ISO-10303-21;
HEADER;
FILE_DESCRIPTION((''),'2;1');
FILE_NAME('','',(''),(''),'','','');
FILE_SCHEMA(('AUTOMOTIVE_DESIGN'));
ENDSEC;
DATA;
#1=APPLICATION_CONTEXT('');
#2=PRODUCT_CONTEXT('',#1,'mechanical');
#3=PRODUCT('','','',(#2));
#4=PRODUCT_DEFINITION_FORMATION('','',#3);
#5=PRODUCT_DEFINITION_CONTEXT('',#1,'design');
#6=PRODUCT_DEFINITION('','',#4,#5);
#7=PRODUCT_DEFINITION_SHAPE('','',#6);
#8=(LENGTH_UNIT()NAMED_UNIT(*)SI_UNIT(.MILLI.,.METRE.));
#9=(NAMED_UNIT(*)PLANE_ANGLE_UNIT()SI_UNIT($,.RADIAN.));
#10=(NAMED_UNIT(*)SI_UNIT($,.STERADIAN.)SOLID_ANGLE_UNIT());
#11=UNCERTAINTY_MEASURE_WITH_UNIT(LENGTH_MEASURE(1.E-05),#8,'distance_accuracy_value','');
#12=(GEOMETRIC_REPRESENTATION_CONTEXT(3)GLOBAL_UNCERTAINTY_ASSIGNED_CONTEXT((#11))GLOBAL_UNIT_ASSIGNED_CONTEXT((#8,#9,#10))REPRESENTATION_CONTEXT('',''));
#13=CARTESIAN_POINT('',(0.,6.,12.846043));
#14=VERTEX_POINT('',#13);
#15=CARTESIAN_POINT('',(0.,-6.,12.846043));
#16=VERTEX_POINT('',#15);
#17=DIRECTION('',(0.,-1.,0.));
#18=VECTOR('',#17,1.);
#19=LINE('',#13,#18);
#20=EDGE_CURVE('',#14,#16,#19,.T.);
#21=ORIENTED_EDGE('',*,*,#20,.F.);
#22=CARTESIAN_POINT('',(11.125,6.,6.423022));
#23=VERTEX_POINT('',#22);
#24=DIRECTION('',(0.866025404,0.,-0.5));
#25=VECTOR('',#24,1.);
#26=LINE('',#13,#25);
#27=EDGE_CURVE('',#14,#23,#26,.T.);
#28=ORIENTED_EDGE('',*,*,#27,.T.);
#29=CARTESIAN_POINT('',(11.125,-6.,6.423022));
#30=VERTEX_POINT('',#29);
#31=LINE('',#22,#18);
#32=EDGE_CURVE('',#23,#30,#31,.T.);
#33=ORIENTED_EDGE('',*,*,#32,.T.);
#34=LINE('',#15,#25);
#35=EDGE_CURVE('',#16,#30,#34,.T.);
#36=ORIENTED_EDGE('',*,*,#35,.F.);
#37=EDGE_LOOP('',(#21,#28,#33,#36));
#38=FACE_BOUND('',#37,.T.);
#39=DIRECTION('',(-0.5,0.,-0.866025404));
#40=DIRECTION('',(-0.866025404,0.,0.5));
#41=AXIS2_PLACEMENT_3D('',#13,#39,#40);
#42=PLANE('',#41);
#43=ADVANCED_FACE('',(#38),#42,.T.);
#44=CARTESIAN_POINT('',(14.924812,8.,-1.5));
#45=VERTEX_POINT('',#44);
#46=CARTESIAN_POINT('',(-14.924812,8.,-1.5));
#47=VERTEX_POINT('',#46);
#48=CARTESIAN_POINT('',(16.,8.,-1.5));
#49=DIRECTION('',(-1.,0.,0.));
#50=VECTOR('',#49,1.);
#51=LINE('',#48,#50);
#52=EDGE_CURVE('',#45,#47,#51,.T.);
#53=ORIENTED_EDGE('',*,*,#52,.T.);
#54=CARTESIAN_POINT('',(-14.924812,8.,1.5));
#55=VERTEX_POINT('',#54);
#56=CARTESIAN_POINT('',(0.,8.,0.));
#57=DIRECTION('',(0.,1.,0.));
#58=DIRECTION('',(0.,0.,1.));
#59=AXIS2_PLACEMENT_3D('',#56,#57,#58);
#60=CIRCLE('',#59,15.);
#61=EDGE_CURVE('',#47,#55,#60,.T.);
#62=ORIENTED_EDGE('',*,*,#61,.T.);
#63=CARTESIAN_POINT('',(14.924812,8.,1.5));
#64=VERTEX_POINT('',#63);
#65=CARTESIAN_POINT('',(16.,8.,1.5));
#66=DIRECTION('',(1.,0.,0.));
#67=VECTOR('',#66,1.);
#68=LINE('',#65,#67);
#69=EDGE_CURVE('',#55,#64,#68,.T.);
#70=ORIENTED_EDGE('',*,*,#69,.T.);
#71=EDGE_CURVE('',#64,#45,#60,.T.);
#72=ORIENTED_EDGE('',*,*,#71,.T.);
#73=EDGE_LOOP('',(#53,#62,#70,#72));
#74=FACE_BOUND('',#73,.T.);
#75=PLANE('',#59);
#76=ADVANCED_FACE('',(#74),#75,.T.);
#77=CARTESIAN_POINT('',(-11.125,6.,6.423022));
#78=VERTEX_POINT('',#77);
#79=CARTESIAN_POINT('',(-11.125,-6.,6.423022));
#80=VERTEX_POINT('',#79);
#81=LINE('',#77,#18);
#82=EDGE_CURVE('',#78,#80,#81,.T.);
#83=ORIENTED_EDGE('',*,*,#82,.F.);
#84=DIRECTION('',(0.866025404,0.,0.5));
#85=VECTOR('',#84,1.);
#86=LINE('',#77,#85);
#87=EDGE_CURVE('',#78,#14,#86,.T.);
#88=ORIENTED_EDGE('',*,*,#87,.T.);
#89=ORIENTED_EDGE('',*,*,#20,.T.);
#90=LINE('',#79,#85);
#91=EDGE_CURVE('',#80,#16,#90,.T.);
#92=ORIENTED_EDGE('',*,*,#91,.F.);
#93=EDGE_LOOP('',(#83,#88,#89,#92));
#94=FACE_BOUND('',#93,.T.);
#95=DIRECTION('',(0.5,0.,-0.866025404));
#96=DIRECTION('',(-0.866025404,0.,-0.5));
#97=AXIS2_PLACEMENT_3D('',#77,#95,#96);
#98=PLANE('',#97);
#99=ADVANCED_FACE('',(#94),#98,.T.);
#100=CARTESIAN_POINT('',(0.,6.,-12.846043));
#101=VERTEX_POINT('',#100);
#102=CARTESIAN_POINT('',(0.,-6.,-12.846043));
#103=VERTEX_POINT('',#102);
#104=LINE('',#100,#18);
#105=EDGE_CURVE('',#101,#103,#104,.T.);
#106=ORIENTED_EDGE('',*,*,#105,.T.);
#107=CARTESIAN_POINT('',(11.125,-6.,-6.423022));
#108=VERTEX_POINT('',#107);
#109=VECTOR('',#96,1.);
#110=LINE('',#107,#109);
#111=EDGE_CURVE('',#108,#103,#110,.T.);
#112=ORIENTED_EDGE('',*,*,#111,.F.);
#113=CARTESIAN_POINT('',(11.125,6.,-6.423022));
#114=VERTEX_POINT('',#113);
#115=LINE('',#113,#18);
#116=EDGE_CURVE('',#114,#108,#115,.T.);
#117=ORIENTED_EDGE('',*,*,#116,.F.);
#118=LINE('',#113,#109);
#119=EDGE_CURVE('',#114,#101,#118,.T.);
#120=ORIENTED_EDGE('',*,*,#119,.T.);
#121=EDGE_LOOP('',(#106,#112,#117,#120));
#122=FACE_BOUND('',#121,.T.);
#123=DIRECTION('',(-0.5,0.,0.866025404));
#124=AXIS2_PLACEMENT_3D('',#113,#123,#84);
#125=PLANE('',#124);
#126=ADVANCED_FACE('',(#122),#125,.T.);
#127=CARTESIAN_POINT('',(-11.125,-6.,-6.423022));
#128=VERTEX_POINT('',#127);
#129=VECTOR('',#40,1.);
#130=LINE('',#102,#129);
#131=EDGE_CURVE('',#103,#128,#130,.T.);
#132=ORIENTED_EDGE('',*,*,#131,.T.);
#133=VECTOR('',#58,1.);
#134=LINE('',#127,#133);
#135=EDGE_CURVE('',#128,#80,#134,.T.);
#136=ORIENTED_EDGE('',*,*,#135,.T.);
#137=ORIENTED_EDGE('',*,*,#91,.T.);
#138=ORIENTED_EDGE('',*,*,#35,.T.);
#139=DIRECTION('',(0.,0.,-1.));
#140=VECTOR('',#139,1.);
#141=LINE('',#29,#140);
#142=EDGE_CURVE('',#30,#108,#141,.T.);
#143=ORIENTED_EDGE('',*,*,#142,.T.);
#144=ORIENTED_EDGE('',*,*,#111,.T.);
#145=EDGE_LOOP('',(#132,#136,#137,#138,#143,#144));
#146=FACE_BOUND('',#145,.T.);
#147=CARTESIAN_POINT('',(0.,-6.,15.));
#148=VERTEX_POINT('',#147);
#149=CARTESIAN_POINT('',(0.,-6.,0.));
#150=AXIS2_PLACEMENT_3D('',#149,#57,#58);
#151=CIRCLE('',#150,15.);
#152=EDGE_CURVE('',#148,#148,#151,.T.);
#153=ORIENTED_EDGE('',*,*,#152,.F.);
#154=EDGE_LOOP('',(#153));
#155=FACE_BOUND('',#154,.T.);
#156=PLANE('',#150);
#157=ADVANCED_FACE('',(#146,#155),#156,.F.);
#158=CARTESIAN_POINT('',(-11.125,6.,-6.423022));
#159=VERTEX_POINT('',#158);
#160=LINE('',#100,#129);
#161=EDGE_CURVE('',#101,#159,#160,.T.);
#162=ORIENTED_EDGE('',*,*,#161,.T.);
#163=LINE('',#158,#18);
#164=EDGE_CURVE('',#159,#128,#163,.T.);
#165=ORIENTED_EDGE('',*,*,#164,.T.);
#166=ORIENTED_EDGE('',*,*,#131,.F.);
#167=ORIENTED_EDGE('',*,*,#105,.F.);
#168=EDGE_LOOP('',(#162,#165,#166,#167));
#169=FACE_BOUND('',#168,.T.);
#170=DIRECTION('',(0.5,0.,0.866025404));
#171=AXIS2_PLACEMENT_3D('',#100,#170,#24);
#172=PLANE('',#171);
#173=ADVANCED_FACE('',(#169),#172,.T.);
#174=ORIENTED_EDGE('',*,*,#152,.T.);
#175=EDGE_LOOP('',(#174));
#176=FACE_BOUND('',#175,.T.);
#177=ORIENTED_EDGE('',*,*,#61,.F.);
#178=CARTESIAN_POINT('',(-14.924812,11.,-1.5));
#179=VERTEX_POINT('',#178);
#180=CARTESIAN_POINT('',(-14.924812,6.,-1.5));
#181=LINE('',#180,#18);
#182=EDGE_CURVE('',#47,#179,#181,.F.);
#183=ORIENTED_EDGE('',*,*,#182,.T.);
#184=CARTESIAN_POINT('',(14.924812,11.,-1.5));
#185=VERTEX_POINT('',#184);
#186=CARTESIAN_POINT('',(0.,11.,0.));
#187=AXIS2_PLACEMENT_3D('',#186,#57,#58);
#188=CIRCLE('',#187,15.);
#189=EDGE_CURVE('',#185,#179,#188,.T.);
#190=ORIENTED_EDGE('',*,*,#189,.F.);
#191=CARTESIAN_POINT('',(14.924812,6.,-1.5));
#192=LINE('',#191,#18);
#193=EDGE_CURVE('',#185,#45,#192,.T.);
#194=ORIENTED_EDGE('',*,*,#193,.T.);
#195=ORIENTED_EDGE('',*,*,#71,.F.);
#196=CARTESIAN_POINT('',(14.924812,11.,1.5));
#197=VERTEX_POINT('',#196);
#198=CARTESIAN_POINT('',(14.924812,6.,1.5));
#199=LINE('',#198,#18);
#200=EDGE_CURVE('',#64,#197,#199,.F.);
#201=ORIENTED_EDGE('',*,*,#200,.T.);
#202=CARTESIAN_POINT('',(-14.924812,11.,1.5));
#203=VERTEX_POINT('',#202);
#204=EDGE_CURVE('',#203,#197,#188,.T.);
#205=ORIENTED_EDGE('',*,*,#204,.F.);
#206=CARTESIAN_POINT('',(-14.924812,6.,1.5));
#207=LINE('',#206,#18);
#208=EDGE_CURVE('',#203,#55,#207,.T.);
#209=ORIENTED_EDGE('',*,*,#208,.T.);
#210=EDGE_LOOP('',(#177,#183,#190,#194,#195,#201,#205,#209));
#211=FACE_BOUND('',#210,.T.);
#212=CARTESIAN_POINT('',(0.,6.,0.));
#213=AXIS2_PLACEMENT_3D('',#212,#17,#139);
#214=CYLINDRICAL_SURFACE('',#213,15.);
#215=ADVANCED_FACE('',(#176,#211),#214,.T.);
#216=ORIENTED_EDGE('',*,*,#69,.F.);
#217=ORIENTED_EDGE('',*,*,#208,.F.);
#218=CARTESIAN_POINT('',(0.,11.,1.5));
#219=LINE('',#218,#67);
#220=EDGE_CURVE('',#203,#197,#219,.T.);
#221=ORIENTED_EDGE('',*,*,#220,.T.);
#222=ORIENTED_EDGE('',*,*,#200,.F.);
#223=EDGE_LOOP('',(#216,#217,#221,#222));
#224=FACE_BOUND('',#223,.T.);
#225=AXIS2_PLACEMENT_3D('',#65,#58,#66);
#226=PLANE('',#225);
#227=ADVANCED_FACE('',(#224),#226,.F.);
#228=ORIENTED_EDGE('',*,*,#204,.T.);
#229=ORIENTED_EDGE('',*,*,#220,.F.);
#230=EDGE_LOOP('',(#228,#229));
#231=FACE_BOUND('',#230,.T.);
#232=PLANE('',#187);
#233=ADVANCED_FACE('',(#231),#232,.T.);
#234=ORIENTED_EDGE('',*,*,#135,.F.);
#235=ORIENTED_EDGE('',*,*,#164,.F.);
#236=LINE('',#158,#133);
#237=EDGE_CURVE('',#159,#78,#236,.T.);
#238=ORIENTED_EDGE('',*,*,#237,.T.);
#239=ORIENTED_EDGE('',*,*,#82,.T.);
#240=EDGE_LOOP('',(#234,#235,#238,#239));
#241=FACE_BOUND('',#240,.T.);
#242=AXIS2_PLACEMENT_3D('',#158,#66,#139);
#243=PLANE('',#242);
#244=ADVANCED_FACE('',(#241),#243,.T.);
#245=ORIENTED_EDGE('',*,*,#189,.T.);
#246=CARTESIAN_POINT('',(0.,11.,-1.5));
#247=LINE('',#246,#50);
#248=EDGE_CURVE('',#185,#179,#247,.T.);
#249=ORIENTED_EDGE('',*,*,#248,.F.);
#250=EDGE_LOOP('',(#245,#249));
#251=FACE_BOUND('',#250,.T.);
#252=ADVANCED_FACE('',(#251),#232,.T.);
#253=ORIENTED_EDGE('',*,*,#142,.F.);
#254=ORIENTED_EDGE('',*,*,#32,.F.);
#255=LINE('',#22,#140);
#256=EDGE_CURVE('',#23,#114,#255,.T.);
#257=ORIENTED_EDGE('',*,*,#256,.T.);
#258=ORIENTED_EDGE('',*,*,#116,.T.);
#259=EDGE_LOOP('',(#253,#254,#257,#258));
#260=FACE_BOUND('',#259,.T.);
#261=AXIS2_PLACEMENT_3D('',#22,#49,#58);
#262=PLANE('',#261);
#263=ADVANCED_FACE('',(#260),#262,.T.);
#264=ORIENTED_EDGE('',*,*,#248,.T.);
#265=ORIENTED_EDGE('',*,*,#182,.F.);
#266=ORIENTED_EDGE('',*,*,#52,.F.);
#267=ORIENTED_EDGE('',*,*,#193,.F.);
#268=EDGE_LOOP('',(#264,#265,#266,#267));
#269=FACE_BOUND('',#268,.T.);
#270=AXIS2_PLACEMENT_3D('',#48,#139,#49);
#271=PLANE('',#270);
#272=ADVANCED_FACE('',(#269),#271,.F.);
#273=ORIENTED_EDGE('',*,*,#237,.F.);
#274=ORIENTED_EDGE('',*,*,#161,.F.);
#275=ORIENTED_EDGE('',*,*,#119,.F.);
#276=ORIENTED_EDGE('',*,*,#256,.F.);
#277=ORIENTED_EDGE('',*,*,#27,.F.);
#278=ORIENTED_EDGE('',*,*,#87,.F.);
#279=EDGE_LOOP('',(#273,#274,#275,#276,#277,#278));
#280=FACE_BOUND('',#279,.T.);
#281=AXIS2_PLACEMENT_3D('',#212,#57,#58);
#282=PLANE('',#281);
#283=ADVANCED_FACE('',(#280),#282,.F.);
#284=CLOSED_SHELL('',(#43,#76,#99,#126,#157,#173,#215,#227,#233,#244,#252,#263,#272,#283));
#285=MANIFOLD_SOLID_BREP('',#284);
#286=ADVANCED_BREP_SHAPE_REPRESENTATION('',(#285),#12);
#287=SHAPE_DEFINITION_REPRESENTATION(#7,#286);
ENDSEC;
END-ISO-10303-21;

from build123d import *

# Parameters (mm, degrees)
SKETCH2_R           = 15
BOSS_EXTRUDE1_DEPTH = 6
BOSS_EXTRUDE2_START = 5
SKETCH3_R           = 15
BOSS_EXTRUDE2_DEPTH = 5
SKETCH4_W           = 32
SKETCH4_H           = 3
CUT_EXTRUDE1_DEPTH  = 3


with BuildPart() as part:
    # Sketch2 → Boss-Extrude1 (new, symmetric)
    with BuildSketch(Plane(origin=(0, 0, 0), x_dir=(1, 0, 0), z_dir=(0, 1, 0))):
        with Locations(Location((0, 0, 0), (0, 0, 270))):
            Circle(SKETCH2_R)
        Polygon((0, 12.846043489), (-11.125, 6.423021745), (-11.125, -6.423021745), (0, -12.846043489), (11.125, -6.423021745), (11.125, 6.423021745), align=None, mode=Mode.SUBTRACT)
    extrude(amount=BOSS_EXTRUDE1_DEPTH, both=True)

    # Sketch3 → Boss-Extrude2 (add)
    with BuildSketch(Plane(origin=(0, 6, 0), x_dir=(1, 0, 0), z_dir=(0, 1, 0)).offset(BOSS_EXTRUDE2_START)):
        with Locations(Location((0, 0, 0), (0, 0, 270))):
            Circle(SKETCH3_R)
    extrude(amount=-BOSS_EXTRUDE2_DEPTH)

    # Sketch4 → Cut-Extrude1 (cut)
    with BuildSketch(Plane(origin=(0, 11, 0), x_dir=(1, 0, 0), z_dir=(0, 1, 0))):
        Rectangle(SKETCH4_W, SKETCH4_H)
    extrude(amount=-CUT_EXTRUDE1_DEPTH, mode=Mode.SUBTRACT)


solid = part.part
